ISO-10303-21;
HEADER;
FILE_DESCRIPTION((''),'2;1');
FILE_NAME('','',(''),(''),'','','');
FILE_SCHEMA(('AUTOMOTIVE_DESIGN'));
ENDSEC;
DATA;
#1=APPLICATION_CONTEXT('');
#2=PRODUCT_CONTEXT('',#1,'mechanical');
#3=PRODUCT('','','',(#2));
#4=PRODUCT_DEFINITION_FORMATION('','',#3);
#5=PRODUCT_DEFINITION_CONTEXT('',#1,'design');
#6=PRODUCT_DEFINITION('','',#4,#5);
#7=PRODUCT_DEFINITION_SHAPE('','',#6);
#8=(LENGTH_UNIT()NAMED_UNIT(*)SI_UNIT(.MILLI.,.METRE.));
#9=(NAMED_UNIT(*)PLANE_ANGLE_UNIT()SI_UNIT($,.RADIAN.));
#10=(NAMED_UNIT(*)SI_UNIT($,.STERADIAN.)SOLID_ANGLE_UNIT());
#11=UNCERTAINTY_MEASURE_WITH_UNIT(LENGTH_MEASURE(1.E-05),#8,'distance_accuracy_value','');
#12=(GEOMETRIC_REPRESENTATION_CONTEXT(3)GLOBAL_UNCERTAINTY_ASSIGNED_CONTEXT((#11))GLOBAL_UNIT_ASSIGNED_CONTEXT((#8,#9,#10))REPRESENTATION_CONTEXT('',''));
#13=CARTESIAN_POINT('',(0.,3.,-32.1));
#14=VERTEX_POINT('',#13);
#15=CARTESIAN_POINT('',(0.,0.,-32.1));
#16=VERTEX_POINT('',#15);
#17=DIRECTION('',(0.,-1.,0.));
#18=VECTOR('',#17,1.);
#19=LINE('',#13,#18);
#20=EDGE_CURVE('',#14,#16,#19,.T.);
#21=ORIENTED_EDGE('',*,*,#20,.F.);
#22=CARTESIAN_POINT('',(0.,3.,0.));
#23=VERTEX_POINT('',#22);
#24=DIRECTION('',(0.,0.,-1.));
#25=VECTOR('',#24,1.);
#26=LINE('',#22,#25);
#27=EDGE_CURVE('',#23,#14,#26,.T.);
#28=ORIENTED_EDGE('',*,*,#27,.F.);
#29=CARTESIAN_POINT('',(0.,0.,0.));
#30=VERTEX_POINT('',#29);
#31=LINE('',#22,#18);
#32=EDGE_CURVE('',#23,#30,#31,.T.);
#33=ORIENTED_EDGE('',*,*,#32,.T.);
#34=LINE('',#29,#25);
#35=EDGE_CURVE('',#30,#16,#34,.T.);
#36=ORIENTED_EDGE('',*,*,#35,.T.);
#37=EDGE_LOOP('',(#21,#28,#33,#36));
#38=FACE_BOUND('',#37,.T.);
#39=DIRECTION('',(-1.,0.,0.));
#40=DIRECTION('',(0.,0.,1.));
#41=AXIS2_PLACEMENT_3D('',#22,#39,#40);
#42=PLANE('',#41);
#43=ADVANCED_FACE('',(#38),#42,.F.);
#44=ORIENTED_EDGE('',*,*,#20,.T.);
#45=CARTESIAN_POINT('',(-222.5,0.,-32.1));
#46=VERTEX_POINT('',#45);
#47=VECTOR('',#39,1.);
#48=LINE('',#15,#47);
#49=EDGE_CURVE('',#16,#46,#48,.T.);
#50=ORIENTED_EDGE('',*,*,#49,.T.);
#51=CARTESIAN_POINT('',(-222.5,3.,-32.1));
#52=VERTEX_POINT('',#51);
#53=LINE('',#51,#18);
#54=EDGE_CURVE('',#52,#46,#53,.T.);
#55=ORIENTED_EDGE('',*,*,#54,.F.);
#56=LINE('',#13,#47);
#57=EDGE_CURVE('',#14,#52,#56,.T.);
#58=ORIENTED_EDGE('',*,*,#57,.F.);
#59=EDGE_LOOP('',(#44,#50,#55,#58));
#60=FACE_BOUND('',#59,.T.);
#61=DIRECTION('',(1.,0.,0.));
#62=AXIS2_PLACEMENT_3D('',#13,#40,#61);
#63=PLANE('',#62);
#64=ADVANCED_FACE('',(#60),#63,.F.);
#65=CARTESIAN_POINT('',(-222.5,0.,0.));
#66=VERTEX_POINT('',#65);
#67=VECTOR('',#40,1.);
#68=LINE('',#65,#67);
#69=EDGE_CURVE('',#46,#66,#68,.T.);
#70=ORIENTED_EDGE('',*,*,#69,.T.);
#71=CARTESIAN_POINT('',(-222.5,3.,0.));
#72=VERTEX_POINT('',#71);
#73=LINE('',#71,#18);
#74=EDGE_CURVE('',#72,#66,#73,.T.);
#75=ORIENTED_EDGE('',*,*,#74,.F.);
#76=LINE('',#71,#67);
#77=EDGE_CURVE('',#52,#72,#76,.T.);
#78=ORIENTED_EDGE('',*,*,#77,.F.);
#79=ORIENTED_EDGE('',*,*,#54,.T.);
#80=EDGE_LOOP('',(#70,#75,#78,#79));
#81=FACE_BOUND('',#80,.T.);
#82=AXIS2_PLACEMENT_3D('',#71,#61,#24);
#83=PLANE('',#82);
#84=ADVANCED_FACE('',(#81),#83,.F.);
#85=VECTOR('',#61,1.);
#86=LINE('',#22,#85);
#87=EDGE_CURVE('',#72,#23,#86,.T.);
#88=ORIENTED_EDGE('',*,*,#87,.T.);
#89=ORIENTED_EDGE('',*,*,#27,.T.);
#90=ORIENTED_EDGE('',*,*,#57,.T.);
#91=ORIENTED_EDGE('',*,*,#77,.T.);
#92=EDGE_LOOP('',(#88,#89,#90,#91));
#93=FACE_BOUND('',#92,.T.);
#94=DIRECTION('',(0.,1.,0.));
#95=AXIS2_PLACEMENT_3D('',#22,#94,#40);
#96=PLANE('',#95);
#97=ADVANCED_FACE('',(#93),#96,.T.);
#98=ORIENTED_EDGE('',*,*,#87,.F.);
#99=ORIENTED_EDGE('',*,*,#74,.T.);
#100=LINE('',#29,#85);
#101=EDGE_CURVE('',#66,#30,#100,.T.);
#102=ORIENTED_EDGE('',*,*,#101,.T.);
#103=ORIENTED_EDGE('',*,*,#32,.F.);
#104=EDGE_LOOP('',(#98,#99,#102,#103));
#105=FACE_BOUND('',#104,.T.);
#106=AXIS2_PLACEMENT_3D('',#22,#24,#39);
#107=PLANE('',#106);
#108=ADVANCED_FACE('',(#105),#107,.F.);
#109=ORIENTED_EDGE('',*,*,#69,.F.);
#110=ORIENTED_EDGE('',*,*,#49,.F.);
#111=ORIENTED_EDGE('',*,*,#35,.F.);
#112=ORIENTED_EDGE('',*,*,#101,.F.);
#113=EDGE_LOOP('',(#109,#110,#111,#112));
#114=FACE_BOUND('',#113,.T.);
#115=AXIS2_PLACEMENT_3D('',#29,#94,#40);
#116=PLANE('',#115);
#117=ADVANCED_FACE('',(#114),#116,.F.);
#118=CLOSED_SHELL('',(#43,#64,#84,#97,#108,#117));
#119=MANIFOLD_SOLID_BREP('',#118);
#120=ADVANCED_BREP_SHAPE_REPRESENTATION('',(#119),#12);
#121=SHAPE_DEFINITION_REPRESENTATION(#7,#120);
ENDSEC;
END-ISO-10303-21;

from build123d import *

# Parameters (mm, degrees)
SKETCH1_W           = 222.5
SKETCH1_H           = 32.1
BOSS_EXTRUDE1_DEPTH = 3


with BuildPart() as part:
    # Sketch1 → Boss-Extrude1 (new body)
    with BuildSketch(Plane(origin=(0, 0, 0), x_dir=(1, 0, 0), z_dir=(0, 1, 0))):
        with Locations((-111.25, 16.05)):
            Rectangle(SKETCH1_W, SKETCH1_H)
    extrude(amount=BOSS_EXTRUDE1_DEPTH)


solid = part.part
